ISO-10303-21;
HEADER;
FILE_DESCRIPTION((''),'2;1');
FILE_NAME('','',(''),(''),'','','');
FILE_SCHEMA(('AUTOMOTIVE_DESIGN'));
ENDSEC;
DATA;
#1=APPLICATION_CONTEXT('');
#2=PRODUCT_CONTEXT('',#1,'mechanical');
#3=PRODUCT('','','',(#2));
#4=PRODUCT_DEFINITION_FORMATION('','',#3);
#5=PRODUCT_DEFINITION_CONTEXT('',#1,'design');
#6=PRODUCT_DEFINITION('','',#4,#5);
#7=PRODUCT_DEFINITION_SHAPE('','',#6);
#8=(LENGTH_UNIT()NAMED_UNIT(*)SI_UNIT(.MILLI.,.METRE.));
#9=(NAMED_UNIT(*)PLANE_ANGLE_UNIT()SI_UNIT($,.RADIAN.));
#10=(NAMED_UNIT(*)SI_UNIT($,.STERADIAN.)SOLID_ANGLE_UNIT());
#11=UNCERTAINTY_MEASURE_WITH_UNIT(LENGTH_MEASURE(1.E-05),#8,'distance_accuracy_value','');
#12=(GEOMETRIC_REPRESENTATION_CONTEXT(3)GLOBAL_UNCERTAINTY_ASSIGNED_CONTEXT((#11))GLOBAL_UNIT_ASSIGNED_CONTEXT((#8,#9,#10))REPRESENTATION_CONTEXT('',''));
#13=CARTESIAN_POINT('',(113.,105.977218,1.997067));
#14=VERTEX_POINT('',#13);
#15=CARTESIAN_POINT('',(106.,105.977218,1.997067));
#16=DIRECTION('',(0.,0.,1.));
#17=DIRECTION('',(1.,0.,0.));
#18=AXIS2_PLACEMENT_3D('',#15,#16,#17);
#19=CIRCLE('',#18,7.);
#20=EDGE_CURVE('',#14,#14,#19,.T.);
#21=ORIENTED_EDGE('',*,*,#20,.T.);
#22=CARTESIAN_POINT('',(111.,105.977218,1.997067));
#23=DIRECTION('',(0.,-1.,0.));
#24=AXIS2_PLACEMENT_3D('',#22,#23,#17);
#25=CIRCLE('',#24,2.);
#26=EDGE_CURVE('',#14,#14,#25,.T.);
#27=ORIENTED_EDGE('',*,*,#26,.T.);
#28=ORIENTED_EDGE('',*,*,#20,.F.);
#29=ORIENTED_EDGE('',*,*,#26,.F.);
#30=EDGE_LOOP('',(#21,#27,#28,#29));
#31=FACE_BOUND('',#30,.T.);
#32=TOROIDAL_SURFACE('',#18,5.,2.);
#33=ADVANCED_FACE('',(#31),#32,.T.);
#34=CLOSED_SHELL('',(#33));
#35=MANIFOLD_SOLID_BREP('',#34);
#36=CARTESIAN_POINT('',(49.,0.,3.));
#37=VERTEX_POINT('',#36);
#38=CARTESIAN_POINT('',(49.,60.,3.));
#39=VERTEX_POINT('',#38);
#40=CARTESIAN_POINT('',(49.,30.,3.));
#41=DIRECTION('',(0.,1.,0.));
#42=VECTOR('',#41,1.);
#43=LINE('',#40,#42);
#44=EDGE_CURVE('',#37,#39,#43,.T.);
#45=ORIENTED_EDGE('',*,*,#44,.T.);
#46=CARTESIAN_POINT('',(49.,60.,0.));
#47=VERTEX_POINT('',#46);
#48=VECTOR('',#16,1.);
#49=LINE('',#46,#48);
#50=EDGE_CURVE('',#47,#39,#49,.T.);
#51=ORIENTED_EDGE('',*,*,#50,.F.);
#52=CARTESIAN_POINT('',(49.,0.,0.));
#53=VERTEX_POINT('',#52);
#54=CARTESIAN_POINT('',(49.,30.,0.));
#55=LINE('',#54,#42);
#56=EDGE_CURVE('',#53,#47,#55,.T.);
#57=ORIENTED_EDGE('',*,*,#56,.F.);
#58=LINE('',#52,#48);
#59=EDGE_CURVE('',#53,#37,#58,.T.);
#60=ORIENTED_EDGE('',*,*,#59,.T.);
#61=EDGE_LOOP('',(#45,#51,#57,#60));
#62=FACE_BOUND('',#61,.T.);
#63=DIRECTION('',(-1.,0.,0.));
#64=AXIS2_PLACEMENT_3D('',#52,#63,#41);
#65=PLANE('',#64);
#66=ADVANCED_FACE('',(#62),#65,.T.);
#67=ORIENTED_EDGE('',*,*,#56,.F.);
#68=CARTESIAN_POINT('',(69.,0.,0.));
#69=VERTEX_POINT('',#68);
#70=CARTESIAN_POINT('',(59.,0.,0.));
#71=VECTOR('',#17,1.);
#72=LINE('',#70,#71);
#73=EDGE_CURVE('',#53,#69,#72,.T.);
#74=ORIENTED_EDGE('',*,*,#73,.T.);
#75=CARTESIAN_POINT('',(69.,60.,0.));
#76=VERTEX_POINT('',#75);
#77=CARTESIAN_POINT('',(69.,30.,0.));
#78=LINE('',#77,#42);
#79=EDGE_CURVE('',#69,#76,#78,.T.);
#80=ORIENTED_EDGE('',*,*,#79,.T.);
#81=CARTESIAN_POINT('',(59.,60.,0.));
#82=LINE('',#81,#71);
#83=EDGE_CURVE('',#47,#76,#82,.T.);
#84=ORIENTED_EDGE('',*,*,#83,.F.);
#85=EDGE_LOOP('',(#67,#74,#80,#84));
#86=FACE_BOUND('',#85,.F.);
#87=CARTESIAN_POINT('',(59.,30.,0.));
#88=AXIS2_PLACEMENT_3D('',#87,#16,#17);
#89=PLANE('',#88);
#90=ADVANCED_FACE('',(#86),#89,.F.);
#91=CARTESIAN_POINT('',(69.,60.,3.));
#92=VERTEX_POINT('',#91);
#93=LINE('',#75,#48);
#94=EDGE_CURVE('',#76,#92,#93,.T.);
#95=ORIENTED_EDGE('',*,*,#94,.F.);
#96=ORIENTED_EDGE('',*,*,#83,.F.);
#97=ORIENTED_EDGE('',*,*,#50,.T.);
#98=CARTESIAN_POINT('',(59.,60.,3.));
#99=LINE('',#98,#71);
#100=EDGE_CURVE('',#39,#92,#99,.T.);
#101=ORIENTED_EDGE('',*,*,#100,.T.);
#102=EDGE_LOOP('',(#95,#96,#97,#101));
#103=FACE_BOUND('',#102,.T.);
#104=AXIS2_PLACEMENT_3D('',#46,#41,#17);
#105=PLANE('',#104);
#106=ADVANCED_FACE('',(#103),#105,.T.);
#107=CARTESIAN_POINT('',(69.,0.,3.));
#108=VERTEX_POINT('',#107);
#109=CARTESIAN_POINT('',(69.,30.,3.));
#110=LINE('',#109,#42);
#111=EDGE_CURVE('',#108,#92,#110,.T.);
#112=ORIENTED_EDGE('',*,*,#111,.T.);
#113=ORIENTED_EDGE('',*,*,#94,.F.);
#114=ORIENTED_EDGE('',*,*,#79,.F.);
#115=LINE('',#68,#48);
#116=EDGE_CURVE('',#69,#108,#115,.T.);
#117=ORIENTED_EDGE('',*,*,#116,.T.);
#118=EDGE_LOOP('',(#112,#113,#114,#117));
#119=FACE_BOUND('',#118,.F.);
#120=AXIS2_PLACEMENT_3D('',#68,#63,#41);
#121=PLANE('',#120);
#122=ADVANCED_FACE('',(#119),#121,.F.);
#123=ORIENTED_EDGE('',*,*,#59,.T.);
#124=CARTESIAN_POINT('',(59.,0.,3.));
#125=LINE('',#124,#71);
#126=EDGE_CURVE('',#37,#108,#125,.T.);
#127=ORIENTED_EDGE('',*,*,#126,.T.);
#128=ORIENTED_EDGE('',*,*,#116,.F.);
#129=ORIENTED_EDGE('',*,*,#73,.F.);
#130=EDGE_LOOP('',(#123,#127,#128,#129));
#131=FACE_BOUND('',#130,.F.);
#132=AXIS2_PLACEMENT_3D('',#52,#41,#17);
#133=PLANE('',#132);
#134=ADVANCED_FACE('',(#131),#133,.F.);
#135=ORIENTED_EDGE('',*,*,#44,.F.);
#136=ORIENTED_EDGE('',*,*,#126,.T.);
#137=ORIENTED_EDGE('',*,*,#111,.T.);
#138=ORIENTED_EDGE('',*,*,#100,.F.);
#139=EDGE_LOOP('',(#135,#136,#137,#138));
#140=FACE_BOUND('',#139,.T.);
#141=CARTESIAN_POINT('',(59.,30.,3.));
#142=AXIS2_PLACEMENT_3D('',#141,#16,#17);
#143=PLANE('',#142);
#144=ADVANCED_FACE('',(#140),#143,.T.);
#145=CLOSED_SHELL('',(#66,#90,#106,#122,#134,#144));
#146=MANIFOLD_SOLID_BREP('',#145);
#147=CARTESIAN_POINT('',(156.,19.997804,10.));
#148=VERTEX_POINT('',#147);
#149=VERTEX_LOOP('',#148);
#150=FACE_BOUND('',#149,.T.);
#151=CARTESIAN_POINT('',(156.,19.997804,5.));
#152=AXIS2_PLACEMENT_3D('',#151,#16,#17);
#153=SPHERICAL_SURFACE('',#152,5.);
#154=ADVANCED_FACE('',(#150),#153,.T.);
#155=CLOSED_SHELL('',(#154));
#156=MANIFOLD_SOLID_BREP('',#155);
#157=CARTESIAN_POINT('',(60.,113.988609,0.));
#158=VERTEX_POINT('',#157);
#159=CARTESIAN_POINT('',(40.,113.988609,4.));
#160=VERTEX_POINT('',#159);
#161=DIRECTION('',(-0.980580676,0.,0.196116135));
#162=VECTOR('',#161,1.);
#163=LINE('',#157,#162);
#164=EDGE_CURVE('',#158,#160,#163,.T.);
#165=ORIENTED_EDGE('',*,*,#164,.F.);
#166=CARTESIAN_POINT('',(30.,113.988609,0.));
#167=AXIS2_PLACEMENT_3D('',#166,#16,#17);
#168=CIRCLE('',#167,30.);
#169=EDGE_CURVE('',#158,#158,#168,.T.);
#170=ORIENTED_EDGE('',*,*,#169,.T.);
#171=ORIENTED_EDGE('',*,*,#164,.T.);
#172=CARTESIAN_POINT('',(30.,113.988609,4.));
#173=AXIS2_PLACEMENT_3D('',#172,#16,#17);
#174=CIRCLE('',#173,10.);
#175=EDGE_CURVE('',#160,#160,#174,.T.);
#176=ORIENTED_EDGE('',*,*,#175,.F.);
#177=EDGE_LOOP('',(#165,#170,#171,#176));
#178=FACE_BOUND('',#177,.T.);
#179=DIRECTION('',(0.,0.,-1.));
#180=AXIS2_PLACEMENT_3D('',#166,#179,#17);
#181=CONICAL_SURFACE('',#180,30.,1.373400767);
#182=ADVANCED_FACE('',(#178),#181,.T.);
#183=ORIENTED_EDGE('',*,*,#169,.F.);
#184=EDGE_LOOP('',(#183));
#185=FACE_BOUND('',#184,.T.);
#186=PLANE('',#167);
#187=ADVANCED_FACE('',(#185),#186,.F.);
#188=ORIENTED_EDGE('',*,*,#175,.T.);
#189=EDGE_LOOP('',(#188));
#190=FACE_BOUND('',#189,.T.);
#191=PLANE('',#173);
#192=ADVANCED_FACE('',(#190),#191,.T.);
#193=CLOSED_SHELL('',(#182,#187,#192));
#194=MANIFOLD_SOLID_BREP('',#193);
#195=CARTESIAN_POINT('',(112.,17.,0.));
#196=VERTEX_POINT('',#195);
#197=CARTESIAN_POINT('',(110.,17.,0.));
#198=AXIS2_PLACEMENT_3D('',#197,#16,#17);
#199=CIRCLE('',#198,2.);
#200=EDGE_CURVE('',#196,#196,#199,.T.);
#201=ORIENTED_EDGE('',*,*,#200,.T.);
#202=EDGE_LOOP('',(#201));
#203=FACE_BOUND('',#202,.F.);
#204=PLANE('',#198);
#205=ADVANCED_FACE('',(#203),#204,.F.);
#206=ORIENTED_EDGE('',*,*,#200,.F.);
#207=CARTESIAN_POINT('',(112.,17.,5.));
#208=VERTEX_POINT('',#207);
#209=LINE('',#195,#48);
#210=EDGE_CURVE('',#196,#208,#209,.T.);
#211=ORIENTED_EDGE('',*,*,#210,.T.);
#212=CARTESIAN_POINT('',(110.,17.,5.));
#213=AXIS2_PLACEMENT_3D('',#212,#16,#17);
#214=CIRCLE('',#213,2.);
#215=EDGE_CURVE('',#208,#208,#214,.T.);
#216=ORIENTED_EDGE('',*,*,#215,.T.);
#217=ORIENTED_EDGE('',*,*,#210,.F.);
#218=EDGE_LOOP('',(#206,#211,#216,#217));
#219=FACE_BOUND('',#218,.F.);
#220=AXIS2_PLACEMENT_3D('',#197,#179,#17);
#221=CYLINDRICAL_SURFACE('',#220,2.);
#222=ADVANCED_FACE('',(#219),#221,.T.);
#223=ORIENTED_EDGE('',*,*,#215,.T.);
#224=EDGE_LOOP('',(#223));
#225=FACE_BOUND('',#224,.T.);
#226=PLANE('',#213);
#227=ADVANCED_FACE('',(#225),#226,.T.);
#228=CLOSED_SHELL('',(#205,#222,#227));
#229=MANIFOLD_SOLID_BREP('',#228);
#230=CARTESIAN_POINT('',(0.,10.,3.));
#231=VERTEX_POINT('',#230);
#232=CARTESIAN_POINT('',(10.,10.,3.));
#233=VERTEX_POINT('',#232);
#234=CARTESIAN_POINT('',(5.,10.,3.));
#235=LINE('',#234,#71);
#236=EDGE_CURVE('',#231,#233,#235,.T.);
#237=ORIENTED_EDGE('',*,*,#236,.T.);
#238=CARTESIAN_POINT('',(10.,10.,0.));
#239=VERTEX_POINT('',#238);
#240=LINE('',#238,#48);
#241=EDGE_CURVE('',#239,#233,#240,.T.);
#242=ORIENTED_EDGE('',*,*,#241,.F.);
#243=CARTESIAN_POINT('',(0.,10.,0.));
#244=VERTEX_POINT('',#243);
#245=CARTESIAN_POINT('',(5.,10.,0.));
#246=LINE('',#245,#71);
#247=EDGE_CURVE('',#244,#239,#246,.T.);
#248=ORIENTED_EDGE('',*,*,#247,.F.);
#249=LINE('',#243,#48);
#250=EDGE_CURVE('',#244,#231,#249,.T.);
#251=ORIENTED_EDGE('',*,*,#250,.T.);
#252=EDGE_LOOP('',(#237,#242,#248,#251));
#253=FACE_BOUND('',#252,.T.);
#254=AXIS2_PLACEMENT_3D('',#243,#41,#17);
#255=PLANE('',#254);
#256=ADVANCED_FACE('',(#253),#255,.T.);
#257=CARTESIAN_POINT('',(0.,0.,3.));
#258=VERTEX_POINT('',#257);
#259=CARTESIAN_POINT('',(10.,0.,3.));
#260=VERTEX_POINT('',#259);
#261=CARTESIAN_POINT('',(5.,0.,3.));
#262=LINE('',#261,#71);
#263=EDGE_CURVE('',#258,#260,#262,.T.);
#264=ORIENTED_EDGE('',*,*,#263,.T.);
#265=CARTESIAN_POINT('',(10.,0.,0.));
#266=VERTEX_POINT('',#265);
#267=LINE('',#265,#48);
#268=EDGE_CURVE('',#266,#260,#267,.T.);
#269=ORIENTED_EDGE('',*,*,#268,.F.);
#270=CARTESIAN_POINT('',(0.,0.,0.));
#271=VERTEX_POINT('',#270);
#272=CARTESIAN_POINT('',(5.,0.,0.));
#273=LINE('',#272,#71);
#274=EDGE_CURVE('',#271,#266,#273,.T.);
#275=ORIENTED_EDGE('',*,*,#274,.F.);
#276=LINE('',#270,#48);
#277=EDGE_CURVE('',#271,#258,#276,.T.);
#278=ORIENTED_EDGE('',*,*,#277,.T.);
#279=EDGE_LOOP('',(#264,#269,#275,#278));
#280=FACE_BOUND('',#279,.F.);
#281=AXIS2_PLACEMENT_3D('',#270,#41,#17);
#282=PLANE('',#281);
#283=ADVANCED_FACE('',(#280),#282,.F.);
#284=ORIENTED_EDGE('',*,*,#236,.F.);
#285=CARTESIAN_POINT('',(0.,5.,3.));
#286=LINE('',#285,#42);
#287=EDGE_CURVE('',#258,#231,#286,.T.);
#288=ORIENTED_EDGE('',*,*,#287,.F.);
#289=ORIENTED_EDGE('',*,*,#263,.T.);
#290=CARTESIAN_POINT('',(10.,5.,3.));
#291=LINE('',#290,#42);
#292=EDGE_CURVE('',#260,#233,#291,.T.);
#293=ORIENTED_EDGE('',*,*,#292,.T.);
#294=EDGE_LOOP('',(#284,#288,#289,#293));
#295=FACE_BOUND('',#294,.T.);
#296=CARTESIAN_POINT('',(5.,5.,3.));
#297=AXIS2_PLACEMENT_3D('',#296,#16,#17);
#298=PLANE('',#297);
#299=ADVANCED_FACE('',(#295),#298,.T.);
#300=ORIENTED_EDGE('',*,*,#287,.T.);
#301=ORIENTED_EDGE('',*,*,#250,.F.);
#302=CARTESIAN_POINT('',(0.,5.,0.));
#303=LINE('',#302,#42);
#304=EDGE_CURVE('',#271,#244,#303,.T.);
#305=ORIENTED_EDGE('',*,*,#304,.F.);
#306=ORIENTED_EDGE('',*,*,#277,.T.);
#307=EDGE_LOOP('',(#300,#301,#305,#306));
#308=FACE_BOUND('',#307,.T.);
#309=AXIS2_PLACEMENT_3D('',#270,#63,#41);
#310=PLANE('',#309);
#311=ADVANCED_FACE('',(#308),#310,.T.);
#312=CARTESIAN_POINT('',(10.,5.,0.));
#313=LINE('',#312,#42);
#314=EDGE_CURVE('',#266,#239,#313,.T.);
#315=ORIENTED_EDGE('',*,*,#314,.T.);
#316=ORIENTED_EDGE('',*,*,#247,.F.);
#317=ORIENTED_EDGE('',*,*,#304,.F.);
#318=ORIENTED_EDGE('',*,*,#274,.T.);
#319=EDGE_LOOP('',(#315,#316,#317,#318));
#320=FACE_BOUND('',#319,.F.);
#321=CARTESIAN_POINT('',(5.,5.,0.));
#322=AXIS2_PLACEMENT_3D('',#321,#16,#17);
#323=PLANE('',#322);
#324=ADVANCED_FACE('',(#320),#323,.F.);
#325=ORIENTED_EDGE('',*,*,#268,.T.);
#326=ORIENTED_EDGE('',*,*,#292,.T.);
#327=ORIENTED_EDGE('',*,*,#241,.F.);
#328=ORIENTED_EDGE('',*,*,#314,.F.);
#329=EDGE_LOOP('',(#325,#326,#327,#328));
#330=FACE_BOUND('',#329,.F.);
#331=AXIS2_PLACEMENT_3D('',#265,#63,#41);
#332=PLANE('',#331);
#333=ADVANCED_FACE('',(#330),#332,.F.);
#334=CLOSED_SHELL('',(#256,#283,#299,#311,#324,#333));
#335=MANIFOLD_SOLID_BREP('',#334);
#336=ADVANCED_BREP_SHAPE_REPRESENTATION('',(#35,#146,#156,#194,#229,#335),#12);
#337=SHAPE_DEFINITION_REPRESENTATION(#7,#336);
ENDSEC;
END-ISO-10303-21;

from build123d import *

# Parameters (mm, degrees)
BOX_W          = 10
BOX_H          = 10
BOX_DEPTH      = 3
BOX001_W       = 20
BOX001_H       = 60
BOX001_DEPTH   = 3
CYLINDER_R     = 2
CYLINDER_DEPTH = 5
TORUS_R        = 2


with BuildPart() as cube:
    # Box → Box (new body)
    with BuildSketch(Plane.XY):
        with Locations((5, 5)):
            Rectangle(BOX_W, BOX_H)
    extrude(amount=BOX_DEPTH)


with BuildPart() as cube001:
    # Box001 → Box001 (new body)
    with BuildSketch(Plane(origin=(49, 0, 0), x_dir=(1, 0, 0), z_dir=(0, 0, 1))):
        with Locations((10, 30)):
            Rectangle(BOX001_W, BOX001_H)
    extrude(amount=BOX001_DEPTH)


with BuildPart() as cylinder:
    # Cylinder → Cylinder (new body)
    with BuildSketch(Plane(origin=(110, 17, 0), x_dir=(1, 0, 0), z_dir=(0, 0, 1))):
        Circle(CYLINDER_R)
    extrude(amount=CYLINDER_DEPTH)


with BuildPart() as sphere:
    # Sphere → Sphere (revolve)
    with BuildSketch(Plane(origin=(156, 19.997804, 5), x_dir=(1, 0, 0), z_dir=(0, -1, 0))):
        with BuildLine():
            ThreePointArc((0, -5), (5, 0), (0, 5))
            Line((0, 5), (0, -5))
        make_face()
    revolve(axis=Axis((156, 19.997804, 5), (0, 0, 1)))


with BuildPart() as cone:
    # Cone → Cone (revolve)
    with BuildSketch(Plane(origin=(30, 113.988609, 0), x_dir=(1, 0, 0), z_dir=(0, -1, 0))):
        Polygon((0, 0), (30, 0), (10, 4), (0, 4), align=None)
    revolve(axis=Axis((30, 113.988609, 0), (0, 0, 1)))


with BuildPart() as torus:
    # Torus → Torus (revolve)
    with BuildSketch(Plane(origin=(106, 105.977218, 1.997067), x_dir=(1, 0, 0), z_dir=(0, -1, 0))):
        with Locations((5, 0)):
            Circle(TORUS_R)
    revolve(axis=Axis((106, 105.977218, 1.997067), (0, 0, 1)))


solid = Compound([cube.part, cube001.part, cylinder.part, sphere.part, cone.part, torus.part])
